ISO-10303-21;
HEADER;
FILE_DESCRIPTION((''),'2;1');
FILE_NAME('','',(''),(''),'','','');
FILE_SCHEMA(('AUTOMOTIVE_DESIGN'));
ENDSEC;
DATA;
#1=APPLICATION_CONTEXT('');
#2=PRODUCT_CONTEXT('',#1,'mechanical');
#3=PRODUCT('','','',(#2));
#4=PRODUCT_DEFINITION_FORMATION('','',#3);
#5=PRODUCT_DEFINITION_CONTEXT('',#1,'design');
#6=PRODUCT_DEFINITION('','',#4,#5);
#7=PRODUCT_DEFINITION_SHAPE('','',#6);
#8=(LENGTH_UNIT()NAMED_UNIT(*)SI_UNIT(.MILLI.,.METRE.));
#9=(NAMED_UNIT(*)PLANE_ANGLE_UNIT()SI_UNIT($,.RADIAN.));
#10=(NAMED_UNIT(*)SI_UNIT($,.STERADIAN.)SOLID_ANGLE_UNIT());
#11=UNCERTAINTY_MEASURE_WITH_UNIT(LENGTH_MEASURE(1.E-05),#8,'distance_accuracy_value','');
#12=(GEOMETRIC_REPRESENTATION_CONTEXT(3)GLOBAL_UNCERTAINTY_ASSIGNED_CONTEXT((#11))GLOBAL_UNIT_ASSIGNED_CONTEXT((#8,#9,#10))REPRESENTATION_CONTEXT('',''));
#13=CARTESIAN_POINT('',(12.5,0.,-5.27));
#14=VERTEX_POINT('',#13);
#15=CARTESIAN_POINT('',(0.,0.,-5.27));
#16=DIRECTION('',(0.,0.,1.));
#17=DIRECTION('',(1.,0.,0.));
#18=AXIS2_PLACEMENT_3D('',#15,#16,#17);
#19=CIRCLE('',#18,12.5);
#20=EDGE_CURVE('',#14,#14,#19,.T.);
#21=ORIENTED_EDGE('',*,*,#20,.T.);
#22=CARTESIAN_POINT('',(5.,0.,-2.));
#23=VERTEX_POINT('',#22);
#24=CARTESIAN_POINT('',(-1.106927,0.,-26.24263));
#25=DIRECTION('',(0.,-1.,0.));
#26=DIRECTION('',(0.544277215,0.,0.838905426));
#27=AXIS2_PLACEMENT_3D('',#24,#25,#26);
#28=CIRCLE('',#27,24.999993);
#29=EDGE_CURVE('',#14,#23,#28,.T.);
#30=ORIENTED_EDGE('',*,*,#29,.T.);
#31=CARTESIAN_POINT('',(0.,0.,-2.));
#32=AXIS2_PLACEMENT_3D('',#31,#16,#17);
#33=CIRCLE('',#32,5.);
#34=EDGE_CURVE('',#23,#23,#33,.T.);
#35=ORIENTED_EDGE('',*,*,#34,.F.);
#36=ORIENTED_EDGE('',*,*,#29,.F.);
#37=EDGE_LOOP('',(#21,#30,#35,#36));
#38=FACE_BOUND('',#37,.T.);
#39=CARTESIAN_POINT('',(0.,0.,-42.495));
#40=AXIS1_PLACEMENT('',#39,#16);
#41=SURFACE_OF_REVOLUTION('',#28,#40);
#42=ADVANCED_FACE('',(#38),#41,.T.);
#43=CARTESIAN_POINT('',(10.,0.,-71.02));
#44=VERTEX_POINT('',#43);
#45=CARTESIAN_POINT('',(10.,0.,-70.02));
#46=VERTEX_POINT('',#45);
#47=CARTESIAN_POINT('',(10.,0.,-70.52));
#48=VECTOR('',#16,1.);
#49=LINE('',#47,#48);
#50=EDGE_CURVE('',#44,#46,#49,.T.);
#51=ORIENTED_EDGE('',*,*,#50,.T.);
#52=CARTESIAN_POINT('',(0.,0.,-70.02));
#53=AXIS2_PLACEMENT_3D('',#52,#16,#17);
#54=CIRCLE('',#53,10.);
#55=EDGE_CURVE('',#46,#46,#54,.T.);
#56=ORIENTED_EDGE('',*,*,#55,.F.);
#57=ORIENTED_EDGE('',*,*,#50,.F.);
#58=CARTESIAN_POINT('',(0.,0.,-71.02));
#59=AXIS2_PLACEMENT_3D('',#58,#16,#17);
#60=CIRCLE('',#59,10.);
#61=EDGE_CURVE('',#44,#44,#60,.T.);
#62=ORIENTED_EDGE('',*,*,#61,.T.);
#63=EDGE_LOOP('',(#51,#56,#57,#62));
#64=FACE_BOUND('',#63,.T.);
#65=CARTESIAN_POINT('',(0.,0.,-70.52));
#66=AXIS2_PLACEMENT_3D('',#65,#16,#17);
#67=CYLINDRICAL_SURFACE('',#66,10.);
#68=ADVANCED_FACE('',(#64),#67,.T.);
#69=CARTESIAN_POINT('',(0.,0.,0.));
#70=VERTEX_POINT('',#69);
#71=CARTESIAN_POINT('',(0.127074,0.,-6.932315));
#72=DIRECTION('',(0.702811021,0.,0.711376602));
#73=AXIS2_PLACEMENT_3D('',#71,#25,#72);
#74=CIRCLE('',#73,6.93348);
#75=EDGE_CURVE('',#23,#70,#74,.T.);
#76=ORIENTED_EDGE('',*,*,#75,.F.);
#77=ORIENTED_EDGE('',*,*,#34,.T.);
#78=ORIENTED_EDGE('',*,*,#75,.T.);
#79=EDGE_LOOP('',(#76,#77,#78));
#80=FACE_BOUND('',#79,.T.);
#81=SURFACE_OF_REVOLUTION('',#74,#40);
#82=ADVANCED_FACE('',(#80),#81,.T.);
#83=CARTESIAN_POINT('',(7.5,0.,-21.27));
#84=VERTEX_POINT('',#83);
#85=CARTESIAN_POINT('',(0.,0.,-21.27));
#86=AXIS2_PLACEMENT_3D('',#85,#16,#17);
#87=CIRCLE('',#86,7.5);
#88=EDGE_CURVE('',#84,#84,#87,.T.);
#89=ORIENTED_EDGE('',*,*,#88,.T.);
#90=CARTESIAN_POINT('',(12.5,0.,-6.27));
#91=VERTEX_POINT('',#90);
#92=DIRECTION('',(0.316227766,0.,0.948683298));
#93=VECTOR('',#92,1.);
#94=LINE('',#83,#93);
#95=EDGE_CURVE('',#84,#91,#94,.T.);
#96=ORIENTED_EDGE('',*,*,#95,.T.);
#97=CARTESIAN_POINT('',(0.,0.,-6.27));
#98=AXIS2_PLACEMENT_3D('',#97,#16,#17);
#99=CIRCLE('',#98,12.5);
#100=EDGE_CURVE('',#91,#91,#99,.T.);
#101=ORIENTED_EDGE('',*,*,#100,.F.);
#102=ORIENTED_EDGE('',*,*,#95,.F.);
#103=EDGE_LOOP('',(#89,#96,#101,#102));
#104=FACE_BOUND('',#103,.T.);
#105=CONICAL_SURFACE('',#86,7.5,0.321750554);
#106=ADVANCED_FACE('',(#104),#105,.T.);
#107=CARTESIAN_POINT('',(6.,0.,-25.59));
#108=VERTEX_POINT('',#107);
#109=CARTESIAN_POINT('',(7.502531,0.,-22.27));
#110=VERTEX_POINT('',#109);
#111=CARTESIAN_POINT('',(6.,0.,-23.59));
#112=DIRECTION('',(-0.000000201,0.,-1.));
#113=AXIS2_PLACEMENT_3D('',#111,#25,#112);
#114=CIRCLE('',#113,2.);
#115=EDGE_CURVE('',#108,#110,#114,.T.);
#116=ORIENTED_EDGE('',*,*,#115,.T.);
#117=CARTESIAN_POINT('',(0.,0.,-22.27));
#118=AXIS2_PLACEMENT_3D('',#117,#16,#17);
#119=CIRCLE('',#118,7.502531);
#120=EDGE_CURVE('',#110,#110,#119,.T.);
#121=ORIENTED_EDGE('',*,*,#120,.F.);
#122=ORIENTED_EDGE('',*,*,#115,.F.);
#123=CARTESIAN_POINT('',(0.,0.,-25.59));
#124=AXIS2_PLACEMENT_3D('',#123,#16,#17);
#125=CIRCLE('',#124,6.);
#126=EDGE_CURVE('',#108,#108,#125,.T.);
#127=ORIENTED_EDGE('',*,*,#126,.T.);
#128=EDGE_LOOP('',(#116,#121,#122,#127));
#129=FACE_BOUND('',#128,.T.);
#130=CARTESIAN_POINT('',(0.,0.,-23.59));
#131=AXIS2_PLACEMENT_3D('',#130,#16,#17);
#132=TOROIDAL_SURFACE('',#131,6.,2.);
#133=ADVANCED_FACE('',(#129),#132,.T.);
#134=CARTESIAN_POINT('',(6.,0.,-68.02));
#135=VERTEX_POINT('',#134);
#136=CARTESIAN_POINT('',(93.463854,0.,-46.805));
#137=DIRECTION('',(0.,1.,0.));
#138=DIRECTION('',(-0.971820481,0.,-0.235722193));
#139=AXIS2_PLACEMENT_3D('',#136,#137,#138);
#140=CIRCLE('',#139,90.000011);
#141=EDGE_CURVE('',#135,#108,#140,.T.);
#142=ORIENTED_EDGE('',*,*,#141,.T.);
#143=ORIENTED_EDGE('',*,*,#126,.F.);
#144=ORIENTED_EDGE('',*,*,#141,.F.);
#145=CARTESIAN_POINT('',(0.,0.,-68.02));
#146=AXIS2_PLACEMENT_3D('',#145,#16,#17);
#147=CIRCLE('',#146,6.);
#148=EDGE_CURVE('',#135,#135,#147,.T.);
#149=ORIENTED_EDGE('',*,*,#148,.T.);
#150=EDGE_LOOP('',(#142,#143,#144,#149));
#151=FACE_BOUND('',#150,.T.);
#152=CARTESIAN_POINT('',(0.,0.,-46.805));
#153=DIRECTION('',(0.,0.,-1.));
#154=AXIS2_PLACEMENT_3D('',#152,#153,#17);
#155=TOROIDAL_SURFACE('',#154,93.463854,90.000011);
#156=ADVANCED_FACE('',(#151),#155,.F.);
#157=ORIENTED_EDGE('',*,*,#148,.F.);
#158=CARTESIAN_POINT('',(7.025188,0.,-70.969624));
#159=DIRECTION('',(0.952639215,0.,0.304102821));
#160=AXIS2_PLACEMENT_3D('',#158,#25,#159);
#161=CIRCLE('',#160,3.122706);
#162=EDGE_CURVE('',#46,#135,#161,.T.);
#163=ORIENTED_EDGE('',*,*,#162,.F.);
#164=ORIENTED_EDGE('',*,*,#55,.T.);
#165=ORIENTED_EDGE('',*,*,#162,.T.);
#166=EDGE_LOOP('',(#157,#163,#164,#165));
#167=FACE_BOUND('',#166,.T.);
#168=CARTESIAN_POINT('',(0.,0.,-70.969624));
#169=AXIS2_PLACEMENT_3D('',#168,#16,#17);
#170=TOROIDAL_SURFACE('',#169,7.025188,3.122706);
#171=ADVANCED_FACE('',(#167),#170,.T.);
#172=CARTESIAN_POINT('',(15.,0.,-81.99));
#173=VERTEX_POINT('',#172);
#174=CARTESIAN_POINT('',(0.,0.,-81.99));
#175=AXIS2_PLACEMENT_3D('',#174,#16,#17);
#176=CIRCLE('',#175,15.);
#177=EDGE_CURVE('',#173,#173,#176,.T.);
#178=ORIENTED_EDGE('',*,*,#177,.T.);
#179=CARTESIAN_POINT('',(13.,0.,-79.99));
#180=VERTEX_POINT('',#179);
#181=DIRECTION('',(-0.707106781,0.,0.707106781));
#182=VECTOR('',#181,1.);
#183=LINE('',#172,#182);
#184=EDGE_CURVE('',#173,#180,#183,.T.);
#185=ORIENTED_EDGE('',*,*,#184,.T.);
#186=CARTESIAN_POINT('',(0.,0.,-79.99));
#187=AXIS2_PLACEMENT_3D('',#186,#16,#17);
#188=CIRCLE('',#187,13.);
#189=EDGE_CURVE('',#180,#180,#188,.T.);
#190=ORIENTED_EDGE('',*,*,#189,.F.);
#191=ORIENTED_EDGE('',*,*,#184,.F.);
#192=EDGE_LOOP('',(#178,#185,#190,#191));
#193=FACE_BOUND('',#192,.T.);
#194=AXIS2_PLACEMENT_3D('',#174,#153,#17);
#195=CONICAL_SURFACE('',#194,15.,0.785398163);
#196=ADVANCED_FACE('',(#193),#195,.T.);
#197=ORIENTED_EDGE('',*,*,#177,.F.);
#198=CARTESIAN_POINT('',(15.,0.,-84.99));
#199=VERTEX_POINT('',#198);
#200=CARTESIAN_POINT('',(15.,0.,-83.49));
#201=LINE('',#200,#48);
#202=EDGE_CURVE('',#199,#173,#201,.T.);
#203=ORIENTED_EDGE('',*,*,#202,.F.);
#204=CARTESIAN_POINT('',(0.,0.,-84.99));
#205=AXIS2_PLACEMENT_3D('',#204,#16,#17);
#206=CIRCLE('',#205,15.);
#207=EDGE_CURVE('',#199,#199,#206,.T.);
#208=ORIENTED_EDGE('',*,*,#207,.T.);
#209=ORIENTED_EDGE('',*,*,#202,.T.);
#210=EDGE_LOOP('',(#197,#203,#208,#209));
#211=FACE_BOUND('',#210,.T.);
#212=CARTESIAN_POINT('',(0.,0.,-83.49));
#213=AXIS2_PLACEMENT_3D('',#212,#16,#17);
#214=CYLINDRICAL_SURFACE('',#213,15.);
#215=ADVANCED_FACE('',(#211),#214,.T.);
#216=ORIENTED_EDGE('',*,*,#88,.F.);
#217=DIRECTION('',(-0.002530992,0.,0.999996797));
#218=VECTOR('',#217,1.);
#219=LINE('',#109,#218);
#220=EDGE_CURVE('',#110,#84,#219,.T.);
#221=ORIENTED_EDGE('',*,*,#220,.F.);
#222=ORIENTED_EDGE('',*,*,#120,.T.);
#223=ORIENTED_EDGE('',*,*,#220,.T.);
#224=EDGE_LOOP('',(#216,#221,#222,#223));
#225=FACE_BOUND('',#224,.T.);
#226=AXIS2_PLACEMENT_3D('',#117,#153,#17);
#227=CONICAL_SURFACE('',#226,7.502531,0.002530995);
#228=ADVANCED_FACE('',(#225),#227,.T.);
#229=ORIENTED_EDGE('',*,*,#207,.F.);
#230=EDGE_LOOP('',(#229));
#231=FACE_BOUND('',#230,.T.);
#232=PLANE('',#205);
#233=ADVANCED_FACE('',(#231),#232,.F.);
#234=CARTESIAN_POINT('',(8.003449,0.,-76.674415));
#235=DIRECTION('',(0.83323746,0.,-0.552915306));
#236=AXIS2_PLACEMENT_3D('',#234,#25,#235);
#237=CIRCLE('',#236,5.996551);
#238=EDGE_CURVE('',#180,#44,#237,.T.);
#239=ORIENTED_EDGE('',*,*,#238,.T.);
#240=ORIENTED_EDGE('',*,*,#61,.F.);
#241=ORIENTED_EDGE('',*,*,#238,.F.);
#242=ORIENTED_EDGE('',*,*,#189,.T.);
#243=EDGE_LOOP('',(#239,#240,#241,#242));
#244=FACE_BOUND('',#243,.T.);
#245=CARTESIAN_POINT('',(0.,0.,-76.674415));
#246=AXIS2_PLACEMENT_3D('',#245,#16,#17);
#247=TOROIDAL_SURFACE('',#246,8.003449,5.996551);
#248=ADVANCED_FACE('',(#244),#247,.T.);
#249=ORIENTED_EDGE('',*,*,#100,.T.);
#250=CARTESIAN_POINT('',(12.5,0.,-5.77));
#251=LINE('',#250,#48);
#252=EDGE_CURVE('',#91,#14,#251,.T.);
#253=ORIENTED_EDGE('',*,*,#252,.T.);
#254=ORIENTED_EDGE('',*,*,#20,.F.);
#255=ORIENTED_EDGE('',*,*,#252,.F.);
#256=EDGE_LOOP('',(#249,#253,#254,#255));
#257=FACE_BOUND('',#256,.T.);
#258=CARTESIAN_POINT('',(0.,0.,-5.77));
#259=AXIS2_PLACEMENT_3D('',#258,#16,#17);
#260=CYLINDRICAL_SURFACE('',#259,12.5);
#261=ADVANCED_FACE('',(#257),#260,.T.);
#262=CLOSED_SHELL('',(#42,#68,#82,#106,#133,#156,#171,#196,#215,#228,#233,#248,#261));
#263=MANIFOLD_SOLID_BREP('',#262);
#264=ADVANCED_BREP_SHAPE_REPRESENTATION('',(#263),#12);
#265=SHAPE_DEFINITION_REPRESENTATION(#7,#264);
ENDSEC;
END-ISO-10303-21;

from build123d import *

# Parameters (mm, degrees)
F0_W   = 12.5
F0_H   = 1
F0_W_2 = 10
F0_W_3 = 15
F0_H_2 = 3


with BuildPart() as f1:
    # F0 (on Front) → F1 (revolve)
    with BuildSketch(Plane.XZ):
        with BuildLine():
            Line((0, -5.27), (12.5, -5.27))
            ThreePointArc((12.5, -5.27), (8.884681, -3.326098), (5, -2))
            ThreePointArc((5, -2), (2.702104, -0.494741), (0, 0))
            Line((0, 0), (0, -5.27))
        make_face()
        with Locations((6.25, -5.77)):
            Rectangle(F0_W, F0_H)
        Polygon((7.5, -21.27), (12.5, -6.27), (0, -6.27), (0, -21.27), align=None)
        Polygon((7.502531, -22.27), (7.5, -21.27), (0, -21.27), (0, -22.27), align=None)
        with BuildLine():
            ThreePointArc((6, -25.59), (7.822087, -24.414621), (7.502531, -22.27))
            Line((7.502531, -22.27), (0, -22.27))
            Line((0, -22.27), (0, -25.59))
            Line((0, -25.59), (6, -25.59))
        make_face()
        with BuildLine():
            ThreePointArc((6, -68.02), (3.463843, -46.805), (6, -25.59))
            Line((6, -25.59), (0, -25.59))
            Line((0, -25.59), (0, -68.02))
            Line((0, -68.02), (6, -68.02))
        make_face()
        with BuildLine():
            ThreePointArc((10, -70.02), (8.421705, -68.176591), (6, -68.02))
            Line((6, -68.02), (0, -68.02))
            Line((0, -68.02), (0, -70.02))
            Line((0, -70.02), (10, -70.02))
        make_face()
        with Locations((5, -70.52)):
            Rectangle(F0_W_2, F0_H)
        with BuildLine():
            ThreePointArc((13, -79.99), (13.690372, -74.772434), (10, -71.02))
            Line((10, -71.02), (0, -71.02))
            Line((0, -71.02), (0, -79.99))
            Line((0, -79.99), (13, -79.99))
        make_face()
        Polygon((15, -81.99), (13, -79.99), (0, -79.99), (0, -81.99), align=None)
        with Locations((7.5, -83.49)):
            Rectangle(F0_W_3, F0_H_2)
    revolve(axis=Axis((0, 0, -42.495), (0, 0, 1)))


solid = f1.part
